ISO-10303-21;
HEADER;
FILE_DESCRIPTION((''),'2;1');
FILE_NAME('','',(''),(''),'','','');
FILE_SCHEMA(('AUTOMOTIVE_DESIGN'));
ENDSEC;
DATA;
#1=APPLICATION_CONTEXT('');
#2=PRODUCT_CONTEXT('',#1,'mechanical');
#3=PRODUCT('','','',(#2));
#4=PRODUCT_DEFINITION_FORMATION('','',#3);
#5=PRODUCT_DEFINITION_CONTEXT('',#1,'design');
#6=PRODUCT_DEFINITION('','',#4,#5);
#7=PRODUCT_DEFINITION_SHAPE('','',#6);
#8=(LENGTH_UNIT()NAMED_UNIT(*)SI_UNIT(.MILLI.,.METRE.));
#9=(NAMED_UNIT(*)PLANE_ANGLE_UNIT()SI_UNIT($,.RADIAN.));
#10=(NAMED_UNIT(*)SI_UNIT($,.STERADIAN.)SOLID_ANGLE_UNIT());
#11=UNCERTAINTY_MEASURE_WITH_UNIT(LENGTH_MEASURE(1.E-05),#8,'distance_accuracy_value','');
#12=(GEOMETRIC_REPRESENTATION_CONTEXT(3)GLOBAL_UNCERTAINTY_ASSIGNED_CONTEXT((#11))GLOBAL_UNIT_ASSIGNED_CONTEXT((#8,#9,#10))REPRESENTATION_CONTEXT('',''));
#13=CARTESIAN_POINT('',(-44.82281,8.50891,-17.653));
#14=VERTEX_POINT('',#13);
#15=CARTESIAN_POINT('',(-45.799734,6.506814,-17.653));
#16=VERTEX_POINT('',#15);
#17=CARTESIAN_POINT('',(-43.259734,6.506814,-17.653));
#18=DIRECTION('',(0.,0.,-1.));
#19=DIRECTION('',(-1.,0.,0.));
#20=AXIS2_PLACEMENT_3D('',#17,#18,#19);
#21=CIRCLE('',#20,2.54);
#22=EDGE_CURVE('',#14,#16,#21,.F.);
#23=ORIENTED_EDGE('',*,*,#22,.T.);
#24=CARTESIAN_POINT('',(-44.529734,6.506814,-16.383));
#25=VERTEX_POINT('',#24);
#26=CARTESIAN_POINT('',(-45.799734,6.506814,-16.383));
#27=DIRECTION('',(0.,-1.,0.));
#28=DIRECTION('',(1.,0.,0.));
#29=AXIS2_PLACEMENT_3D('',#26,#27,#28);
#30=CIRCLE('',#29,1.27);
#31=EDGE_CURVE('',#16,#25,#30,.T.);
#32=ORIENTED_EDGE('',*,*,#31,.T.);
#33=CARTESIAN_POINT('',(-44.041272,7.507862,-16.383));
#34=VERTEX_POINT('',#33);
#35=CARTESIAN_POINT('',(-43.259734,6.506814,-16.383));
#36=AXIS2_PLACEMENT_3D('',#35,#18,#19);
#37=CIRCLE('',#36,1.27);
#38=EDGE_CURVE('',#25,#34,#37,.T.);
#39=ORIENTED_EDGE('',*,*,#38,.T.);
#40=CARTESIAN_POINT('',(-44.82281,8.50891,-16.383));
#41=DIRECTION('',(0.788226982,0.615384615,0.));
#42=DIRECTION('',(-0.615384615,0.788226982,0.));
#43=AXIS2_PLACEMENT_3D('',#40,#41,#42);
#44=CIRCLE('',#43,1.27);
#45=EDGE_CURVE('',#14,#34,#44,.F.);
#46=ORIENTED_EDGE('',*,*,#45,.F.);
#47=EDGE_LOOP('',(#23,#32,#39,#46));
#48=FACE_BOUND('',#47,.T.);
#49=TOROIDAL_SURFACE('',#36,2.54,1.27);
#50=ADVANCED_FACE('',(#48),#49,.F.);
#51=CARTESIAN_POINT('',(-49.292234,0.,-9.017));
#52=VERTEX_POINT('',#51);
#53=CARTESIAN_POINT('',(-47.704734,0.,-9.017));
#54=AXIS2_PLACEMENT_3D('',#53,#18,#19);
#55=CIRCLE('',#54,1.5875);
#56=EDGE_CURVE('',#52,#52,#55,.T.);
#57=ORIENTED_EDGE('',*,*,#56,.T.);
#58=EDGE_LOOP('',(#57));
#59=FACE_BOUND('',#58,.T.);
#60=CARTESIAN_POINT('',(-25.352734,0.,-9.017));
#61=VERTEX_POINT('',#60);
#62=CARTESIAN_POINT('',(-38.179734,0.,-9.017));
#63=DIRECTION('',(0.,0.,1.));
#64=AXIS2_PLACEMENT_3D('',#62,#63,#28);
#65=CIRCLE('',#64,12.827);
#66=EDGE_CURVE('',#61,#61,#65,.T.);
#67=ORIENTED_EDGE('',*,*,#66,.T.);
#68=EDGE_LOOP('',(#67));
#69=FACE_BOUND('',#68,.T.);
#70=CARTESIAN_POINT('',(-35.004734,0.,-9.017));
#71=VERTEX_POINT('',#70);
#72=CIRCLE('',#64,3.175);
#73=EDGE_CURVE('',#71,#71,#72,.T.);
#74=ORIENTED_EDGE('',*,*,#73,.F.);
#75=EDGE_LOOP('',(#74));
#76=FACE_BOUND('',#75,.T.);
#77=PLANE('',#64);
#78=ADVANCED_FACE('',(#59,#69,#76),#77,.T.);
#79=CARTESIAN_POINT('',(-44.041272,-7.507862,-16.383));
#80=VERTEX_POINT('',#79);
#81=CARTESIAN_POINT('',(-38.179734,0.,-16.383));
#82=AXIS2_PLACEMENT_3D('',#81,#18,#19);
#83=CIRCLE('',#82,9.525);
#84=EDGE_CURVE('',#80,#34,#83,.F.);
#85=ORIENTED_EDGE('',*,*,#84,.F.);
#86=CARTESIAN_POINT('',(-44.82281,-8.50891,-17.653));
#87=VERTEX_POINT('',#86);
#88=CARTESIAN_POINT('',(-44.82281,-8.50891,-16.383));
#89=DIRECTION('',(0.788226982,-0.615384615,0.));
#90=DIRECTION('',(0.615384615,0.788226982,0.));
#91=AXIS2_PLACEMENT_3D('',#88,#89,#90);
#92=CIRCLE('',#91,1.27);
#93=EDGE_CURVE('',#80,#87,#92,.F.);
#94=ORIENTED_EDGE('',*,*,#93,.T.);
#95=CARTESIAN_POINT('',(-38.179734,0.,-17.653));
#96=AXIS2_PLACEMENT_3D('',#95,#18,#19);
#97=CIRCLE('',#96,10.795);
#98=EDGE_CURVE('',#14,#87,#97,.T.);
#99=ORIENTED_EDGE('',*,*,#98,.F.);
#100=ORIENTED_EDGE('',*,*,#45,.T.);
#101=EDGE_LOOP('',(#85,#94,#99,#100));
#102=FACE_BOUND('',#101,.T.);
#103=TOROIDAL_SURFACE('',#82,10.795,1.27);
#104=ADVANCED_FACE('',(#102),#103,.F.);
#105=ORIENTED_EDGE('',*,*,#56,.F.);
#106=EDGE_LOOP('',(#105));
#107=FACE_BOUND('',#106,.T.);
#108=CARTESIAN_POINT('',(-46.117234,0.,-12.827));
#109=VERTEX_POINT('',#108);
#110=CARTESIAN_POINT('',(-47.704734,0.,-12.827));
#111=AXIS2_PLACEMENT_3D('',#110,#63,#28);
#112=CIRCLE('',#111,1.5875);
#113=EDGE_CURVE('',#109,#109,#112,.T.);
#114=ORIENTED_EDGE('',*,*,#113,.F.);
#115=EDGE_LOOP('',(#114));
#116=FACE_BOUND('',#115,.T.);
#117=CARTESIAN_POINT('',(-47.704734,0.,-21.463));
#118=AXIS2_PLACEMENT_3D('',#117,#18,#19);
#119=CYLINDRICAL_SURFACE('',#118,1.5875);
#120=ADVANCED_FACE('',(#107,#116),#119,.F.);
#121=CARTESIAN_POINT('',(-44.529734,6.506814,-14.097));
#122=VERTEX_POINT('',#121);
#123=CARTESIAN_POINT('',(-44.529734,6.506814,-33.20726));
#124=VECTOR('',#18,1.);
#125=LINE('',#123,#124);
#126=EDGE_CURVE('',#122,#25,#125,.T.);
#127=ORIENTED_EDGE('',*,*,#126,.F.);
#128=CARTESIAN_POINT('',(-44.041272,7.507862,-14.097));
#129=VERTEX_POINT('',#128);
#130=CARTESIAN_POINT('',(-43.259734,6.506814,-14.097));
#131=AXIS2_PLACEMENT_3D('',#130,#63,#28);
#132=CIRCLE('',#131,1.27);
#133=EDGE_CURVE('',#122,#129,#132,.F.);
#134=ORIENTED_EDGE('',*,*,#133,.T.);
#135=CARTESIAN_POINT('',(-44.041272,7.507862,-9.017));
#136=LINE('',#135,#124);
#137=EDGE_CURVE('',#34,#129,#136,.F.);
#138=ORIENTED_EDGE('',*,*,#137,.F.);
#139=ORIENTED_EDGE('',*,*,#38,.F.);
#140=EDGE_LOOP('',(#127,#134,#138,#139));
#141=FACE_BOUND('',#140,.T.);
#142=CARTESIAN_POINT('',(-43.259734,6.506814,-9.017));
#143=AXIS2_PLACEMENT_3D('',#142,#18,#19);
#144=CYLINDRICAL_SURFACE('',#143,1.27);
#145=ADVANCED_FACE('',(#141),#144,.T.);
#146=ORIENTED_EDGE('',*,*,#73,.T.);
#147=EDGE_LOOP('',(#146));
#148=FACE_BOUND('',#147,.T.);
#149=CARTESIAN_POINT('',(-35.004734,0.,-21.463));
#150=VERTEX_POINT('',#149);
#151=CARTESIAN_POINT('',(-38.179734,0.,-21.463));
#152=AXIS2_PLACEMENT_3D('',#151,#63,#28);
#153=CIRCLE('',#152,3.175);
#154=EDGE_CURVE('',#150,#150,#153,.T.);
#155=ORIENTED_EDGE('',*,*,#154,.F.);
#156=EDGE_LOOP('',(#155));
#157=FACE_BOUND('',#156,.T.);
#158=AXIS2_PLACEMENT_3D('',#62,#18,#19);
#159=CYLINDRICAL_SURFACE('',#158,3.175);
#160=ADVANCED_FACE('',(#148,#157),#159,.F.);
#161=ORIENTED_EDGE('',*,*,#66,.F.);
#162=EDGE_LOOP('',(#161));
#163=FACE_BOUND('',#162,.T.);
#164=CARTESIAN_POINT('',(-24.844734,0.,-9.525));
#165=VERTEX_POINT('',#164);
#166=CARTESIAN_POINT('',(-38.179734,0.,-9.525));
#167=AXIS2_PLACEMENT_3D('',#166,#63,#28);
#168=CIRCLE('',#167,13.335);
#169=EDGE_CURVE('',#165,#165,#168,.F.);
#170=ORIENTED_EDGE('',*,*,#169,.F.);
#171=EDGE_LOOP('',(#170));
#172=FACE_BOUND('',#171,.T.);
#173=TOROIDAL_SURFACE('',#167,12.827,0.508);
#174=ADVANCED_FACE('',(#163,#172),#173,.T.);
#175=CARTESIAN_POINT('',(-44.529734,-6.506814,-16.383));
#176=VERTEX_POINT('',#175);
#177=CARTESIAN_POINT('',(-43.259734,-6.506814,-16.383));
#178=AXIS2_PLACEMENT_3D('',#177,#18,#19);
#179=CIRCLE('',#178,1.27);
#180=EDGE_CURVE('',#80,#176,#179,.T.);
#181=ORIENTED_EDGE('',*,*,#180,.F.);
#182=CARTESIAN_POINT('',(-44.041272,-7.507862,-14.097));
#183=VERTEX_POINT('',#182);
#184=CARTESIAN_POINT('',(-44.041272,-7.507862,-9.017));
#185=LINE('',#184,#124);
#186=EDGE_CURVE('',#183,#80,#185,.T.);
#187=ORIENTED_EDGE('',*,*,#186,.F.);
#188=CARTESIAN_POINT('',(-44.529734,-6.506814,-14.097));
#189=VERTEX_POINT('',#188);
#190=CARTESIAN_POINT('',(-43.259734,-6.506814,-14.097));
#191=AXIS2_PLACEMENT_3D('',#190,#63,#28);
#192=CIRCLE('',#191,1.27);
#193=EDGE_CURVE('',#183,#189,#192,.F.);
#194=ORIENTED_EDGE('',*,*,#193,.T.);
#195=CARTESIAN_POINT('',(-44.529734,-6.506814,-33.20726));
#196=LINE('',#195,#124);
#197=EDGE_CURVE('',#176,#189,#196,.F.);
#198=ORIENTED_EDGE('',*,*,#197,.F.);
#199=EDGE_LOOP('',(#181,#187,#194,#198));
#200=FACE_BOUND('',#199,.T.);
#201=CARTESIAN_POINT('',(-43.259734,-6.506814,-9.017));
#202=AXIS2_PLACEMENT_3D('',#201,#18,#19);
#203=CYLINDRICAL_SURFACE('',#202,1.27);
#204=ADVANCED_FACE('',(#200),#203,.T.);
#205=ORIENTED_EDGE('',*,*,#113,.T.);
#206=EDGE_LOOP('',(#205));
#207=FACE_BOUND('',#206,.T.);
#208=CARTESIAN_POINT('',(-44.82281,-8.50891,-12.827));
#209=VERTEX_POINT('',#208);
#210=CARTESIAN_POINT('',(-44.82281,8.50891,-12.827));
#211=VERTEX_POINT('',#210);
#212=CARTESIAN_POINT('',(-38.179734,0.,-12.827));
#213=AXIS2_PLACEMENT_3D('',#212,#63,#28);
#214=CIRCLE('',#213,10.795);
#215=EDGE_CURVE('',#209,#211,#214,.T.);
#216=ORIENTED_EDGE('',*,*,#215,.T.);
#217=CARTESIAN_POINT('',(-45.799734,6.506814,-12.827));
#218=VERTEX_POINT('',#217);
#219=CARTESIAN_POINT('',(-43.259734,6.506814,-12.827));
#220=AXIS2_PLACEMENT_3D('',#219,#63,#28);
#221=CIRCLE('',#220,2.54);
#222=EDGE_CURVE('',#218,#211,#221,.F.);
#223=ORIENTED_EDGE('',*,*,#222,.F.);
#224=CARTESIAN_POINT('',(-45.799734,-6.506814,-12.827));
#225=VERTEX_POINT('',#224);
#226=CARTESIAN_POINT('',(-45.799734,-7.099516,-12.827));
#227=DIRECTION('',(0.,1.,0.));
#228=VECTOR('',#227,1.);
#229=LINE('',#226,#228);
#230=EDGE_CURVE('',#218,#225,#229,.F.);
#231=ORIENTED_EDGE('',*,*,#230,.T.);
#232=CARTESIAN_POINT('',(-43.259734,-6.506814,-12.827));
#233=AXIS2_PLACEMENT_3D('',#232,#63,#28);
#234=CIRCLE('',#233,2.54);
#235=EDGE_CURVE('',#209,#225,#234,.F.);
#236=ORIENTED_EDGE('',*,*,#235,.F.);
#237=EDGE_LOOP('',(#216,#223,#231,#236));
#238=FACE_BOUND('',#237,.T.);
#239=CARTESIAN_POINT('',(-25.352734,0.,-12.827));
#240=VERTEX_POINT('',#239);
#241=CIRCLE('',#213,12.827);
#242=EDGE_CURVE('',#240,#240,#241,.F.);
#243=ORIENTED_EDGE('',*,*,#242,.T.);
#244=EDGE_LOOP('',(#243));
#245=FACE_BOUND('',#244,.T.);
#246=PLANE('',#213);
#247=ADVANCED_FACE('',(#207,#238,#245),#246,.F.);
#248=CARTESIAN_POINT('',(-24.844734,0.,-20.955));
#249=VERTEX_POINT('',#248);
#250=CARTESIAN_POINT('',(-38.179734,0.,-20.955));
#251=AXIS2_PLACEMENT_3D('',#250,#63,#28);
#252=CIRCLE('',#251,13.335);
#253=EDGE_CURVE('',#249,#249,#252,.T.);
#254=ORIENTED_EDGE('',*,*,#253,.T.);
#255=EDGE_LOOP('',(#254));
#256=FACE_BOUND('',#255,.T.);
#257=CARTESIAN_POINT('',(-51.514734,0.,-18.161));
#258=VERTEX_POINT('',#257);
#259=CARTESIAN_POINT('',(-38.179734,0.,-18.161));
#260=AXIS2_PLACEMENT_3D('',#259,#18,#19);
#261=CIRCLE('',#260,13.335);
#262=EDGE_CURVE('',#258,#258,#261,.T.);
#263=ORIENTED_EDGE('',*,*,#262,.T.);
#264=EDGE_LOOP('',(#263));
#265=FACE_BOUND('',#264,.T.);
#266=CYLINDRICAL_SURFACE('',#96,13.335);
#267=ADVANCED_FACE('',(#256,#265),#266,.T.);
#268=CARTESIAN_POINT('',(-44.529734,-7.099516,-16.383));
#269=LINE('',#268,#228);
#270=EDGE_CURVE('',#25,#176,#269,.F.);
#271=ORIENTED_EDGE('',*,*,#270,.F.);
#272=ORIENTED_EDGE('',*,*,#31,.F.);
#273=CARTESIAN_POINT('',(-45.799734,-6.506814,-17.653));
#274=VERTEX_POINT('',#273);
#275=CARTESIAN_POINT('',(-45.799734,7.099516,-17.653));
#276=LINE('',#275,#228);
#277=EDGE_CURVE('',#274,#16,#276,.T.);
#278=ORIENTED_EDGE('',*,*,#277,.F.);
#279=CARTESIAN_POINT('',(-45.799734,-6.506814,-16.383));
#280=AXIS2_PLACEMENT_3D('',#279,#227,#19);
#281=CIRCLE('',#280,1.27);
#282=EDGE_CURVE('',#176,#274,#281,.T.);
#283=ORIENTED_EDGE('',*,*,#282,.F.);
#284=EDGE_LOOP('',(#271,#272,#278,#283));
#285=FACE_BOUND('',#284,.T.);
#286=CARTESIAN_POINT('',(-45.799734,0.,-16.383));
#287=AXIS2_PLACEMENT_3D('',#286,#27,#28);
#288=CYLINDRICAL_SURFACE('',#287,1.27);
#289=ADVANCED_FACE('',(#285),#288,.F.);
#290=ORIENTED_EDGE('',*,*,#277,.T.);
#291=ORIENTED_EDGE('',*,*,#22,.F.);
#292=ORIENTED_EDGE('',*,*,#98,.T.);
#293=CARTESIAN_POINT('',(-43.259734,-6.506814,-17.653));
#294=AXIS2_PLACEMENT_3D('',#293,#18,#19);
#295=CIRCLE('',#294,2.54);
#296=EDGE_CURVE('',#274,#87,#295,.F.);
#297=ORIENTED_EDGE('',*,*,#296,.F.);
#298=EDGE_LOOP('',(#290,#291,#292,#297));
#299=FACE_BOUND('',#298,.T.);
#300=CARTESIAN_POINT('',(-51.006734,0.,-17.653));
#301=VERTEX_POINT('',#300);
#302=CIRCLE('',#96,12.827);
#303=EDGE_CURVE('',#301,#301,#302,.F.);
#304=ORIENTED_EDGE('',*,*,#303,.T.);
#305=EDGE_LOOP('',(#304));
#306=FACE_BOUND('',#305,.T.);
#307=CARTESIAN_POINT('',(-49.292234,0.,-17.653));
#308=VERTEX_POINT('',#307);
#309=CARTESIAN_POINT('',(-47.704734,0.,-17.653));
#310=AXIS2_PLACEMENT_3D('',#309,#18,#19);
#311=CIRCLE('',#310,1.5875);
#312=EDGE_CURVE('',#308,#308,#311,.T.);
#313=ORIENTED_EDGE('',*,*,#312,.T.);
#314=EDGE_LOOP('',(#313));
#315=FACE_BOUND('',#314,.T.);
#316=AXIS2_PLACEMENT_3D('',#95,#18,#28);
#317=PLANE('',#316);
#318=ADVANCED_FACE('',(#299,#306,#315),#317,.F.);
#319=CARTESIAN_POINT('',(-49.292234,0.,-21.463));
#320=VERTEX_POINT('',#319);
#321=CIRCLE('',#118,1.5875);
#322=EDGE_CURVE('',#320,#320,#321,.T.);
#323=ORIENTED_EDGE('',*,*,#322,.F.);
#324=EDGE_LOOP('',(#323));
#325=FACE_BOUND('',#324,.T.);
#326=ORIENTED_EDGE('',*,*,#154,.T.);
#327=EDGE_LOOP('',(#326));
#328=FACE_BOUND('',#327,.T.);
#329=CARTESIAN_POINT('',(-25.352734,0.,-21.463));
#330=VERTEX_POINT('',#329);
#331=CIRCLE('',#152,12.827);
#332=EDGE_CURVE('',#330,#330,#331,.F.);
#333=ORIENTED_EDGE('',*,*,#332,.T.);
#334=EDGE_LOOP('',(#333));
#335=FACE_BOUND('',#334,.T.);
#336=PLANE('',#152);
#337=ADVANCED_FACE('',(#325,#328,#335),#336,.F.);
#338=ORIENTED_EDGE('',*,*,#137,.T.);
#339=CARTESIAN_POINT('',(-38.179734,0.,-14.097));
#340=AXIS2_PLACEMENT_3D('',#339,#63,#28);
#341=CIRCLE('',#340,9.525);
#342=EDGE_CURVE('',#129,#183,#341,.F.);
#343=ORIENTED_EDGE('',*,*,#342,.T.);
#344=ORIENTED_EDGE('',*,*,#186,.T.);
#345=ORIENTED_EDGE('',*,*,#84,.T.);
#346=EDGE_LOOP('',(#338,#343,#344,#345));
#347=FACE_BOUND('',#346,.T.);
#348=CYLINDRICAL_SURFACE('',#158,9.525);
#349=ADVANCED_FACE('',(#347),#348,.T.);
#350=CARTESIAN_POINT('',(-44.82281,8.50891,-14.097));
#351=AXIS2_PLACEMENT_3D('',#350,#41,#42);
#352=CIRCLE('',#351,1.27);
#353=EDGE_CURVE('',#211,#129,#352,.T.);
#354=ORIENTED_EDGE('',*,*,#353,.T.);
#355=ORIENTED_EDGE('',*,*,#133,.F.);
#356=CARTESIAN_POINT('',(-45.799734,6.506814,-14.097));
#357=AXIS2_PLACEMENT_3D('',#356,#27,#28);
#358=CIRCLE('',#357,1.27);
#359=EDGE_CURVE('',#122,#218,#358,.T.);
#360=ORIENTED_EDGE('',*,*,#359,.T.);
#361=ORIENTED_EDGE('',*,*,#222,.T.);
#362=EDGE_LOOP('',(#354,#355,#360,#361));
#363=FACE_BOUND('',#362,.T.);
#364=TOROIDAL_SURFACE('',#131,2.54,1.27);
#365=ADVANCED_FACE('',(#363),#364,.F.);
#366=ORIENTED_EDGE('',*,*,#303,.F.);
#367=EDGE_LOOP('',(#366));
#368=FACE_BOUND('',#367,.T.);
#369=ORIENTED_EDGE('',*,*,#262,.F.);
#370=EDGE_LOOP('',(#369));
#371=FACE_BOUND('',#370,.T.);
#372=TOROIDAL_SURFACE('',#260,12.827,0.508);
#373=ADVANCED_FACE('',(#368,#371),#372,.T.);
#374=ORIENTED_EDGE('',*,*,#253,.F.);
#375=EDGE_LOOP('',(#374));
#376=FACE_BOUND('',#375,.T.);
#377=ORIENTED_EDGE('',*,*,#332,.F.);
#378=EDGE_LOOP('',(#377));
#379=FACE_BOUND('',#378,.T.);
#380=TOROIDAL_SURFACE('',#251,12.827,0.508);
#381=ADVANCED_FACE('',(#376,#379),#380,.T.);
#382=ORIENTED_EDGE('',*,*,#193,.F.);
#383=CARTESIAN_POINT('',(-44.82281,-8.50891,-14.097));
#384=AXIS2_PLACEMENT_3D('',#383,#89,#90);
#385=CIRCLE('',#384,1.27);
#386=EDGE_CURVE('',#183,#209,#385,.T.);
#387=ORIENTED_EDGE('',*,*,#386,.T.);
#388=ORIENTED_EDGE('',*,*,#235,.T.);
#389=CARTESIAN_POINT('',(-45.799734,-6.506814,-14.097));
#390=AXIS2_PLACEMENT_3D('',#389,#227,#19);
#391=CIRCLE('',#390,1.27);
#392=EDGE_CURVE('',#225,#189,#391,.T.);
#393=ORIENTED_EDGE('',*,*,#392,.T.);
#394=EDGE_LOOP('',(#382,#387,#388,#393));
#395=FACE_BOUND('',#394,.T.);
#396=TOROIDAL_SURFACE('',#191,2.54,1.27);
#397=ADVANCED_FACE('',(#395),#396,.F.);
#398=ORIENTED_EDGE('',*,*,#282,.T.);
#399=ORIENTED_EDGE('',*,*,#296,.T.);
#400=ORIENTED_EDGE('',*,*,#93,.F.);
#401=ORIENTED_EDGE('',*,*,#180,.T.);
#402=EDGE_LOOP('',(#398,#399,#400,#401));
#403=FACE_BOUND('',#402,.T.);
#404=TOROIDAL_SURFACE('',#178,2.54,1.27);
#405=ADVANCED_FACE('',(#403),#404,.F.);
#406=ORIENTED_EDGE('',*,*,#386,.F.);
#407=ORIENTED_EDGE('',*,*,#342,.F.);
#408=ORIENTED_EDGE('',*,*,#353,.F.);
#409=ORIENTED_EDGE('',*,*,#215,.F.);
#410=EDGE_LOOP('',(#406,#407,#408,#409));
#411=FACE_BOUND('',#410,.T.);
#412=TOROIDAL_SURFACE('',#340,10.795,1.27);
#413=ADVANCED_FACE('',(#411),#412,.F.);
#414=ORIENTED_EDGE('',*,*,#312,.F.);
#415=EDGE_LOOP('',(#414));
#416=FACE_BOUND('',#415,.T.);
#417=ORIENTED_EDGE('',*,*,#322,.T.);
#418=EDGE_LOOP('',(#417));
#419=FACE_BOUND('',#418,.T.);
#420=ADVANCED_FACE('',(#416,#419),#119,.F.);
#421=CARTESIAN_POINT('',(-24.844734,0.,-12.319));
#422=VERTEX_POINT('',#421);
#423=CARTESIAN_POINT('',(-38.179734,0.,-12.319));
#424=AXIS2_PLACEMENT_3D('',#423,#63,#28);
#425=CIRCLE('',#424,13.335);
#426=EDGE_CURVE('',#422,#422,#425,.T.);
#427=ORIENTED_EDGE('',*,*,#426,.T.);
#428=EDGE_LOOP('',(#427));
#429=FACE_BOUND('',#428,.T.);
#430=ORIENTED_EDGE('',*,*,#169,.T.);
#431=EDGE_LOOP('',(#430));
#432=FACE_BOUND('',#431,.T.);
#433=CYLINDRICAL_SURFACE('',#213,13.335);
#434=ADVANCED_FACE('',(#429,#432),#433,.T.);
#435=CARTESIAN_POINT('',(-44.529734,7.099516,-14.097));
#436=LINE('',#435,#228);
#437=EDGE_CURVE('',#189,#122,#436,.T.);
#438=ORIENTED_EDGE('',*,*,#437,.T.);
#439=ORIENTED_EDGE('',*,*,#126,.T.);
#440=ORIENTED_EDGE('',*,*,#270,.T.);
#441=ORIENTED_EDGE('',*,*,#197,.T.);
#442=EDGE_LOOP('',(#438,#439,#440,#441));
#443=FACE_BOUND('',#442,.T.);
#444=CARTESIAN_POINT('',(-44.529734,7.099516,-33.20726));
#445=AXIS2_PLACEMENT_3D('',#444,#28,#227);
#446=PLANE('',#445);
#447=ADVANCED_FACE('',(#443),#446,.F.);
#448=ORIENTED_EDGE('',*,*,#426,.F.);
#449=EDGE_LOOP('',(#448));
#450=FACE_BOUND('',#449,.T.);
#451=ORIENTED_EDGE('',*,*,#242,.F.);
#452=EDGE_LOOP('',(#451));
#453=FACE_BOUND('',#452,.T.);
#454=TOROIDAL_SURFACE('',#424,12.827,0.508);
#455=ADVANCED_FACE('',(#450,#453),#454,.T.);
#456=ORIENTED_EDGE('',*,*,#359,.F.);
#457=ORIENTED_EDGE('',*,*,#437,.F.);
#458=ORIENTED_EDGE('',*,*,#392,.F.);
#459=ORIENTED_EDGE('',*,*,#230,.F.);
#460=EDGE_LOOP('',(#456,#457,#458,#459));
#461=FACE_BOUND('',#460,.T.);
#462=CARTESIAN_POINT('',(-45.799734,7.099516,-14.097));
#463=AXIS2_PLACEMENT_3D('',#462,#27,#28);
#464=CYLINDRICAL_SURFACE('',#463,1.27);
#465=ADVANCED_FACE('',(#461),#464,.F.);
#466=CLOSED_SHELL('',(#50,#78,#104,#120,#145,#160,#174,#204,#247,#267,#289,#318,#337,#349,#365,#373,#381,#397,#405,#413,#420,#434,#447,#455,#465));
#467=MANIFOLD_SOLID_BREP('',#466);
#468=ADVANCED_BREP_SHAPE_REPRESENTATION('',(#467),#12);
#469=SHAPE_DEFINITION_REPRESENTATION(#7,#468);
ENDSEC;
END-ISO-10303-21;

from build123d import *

# Parameters (mm, degrees)
BOSS_EXTRUDE1_START            = -15.24
SKETCH1_R                      = 9.525
SKETCH1_R_2                    = 3.175
BOSS_EXTRUDE1_DEPTH            = 6.223
SKETCH3_R                      = 13.335
SKETCH3_R_2                    = 3.175
BOSS_EXTRUDE2_DEPTH            = 3.81
F_1_8_0_1250_DOWEL_HOLE1_D     = 3.175
CUT_EXTRUDE2_REACH             = 8.223
SKETCH9_W                      = 6.35
SKETCH9_H                      = 14.199031658
CUT_EXTRUDE2_DIRECTION_2_REACH = 8.223
FILLET2_R                      = 1.27
FILLET3_R                      = 0.508


with BuildPart() as part:
    # Sketch1 → Boss-Extrude1 (new body, symmetric)
    with BuildSketch(Plane.XY.offset(BOSS_EXTRUDE1_START)):
        with Locations((-38.179733534, 0)):
            Circle(SKETCH1_R)
        with Locations((-38.179733534, 0)):
            Circle(SKETCH1_R_2, mode=Mode.SUBTRACT)
    extrude(amount=BOSS_EXTRUDE1_DEPTH, both=True)

    # Sketch3 → Boss-Extrude2 (add)
    with BuildSketch(Plane.XY.offset(-9.017)):
        with Locations((-38.179733534, 0)):
            Circle(SKETCH3_R)
        with Locations((-38.179733534, 0)):
            Circle(SKETCH3_R_2, mode=Mode.SUBTRACT)
    boss_extrude2 = extrude(amount=-BOSS_EXTRUDE2_DEPTH)

    # Mirror1: Boss-Extrude2 across plane
    add(boss_extrude2.mirror(Plane.XY.offset(-15.24)))

    # 1/8 (0.1250) Dowel Hole1 (through all)
    with Locations(Plane(origin=(0, 0, -21.463), x_dir=(1, 0, 0), z_dir=(0, 0, -1))):
        with Locations((-47.704733534, 0)):
            Hole(F_1_8_0_1250_DOWEL_HOLE1_D / 2)

    # Cut-Extrude2: up to this face of the body (flat: up to its plane)
    cut_extrude2_end = Plane(part.part.faces().sort_by_distance((-51.137562777, 0, -17.653))[0])
    # Sketch9 → Cut-Extrude2 (cut, up to the picked face)
    with BuildSketch(Plane.XY.offset(-15.24), mode=Mode.PRIVATE) as cut_extrude2_sk1:
        with Locations((-47.704733534, 0)):
            Rectangle(SKETCH9_W, SKETCH9_H)
    cut_extrude2_tool1 = split(extrude(cut_extrude2_sk1.sketch, amount=-CUT_EXTRUDE2_REACH, mode=Mode.PRIVATE), bisect_by=cut_extrude2_end, keep=Keep.BOTH, mode=Mode.PRIVATE)
    add(cut_extrude2_tool1.solids().sort_by_distance((-47.704734, 0, -15.24))[0], mode=Mode.SUBTRACT)

    # Cut-Extrude2 direction 2: up to this face of the body (flat: up to its plane)
    cut_extrude2_direction_2_end = Plane(part.part.faces().sort_by_distance((-51.137562777, 0, -12.827))[0])
    # Sketch9 → Cut-Extrude2 direction 2 (cut, up to the picked face)
    with BuildSketch(Plane.XY.offset(-15.24), mode=Mode.PRIVATE) as cut_extrude2_direction_2_sk1:
        with Locations((-47.704733534, 0)):
            Rectangle(SKETCH9_W, SKETCH9_H)
    cut_extrude2_direction_2_tool1 = split(extrude(cut_extrude2_direction_2_sk1.sketch, amount=CUT_EXTRUDE2_DIRECTION_2_REACH, mode=Mode.PRIVATE), bisect_by=cut_extrude2_direction_2_end, keep=Keep.BOTH, mode=Mode.PRIVATE)
    add(cut_extrude2_direction_2_tool1.solids().sort_by_distance((-47.704734, 0, -15.24))[0], mode=Mode.SUBTRACT)

    # Fillet2
    fillet2_edges = [part.edges().sort_by_distance(p)[0] for p in [
        (-28.654733534, 0, -17.653),
        (-28.654733534, 0, -12.827),
        (-44.529733534, 0, -12.827),
        (-44.529733534, -7.099515829, -15.24),
        (-44.529733534, 0, -17.653),
        (-44.529733534, 7.099515829, -15.24),
    ]]
    fillet(fillet2_edges, radius=FILLET2_R)

    # Fillet3
    fillet3_edges = [part.edges().sort_by_distance(p)[0] for p in [
        (-51.514733534, 0, -9.017),
        (-51.514733534, 0, -12.827),
        (-51.514733534, 0, -17.653),
        (-51.514733534, 0, -21.463),
    ]]
    fillet(fillet3_edges, radius=FILLET3_R)


solid = part.part
